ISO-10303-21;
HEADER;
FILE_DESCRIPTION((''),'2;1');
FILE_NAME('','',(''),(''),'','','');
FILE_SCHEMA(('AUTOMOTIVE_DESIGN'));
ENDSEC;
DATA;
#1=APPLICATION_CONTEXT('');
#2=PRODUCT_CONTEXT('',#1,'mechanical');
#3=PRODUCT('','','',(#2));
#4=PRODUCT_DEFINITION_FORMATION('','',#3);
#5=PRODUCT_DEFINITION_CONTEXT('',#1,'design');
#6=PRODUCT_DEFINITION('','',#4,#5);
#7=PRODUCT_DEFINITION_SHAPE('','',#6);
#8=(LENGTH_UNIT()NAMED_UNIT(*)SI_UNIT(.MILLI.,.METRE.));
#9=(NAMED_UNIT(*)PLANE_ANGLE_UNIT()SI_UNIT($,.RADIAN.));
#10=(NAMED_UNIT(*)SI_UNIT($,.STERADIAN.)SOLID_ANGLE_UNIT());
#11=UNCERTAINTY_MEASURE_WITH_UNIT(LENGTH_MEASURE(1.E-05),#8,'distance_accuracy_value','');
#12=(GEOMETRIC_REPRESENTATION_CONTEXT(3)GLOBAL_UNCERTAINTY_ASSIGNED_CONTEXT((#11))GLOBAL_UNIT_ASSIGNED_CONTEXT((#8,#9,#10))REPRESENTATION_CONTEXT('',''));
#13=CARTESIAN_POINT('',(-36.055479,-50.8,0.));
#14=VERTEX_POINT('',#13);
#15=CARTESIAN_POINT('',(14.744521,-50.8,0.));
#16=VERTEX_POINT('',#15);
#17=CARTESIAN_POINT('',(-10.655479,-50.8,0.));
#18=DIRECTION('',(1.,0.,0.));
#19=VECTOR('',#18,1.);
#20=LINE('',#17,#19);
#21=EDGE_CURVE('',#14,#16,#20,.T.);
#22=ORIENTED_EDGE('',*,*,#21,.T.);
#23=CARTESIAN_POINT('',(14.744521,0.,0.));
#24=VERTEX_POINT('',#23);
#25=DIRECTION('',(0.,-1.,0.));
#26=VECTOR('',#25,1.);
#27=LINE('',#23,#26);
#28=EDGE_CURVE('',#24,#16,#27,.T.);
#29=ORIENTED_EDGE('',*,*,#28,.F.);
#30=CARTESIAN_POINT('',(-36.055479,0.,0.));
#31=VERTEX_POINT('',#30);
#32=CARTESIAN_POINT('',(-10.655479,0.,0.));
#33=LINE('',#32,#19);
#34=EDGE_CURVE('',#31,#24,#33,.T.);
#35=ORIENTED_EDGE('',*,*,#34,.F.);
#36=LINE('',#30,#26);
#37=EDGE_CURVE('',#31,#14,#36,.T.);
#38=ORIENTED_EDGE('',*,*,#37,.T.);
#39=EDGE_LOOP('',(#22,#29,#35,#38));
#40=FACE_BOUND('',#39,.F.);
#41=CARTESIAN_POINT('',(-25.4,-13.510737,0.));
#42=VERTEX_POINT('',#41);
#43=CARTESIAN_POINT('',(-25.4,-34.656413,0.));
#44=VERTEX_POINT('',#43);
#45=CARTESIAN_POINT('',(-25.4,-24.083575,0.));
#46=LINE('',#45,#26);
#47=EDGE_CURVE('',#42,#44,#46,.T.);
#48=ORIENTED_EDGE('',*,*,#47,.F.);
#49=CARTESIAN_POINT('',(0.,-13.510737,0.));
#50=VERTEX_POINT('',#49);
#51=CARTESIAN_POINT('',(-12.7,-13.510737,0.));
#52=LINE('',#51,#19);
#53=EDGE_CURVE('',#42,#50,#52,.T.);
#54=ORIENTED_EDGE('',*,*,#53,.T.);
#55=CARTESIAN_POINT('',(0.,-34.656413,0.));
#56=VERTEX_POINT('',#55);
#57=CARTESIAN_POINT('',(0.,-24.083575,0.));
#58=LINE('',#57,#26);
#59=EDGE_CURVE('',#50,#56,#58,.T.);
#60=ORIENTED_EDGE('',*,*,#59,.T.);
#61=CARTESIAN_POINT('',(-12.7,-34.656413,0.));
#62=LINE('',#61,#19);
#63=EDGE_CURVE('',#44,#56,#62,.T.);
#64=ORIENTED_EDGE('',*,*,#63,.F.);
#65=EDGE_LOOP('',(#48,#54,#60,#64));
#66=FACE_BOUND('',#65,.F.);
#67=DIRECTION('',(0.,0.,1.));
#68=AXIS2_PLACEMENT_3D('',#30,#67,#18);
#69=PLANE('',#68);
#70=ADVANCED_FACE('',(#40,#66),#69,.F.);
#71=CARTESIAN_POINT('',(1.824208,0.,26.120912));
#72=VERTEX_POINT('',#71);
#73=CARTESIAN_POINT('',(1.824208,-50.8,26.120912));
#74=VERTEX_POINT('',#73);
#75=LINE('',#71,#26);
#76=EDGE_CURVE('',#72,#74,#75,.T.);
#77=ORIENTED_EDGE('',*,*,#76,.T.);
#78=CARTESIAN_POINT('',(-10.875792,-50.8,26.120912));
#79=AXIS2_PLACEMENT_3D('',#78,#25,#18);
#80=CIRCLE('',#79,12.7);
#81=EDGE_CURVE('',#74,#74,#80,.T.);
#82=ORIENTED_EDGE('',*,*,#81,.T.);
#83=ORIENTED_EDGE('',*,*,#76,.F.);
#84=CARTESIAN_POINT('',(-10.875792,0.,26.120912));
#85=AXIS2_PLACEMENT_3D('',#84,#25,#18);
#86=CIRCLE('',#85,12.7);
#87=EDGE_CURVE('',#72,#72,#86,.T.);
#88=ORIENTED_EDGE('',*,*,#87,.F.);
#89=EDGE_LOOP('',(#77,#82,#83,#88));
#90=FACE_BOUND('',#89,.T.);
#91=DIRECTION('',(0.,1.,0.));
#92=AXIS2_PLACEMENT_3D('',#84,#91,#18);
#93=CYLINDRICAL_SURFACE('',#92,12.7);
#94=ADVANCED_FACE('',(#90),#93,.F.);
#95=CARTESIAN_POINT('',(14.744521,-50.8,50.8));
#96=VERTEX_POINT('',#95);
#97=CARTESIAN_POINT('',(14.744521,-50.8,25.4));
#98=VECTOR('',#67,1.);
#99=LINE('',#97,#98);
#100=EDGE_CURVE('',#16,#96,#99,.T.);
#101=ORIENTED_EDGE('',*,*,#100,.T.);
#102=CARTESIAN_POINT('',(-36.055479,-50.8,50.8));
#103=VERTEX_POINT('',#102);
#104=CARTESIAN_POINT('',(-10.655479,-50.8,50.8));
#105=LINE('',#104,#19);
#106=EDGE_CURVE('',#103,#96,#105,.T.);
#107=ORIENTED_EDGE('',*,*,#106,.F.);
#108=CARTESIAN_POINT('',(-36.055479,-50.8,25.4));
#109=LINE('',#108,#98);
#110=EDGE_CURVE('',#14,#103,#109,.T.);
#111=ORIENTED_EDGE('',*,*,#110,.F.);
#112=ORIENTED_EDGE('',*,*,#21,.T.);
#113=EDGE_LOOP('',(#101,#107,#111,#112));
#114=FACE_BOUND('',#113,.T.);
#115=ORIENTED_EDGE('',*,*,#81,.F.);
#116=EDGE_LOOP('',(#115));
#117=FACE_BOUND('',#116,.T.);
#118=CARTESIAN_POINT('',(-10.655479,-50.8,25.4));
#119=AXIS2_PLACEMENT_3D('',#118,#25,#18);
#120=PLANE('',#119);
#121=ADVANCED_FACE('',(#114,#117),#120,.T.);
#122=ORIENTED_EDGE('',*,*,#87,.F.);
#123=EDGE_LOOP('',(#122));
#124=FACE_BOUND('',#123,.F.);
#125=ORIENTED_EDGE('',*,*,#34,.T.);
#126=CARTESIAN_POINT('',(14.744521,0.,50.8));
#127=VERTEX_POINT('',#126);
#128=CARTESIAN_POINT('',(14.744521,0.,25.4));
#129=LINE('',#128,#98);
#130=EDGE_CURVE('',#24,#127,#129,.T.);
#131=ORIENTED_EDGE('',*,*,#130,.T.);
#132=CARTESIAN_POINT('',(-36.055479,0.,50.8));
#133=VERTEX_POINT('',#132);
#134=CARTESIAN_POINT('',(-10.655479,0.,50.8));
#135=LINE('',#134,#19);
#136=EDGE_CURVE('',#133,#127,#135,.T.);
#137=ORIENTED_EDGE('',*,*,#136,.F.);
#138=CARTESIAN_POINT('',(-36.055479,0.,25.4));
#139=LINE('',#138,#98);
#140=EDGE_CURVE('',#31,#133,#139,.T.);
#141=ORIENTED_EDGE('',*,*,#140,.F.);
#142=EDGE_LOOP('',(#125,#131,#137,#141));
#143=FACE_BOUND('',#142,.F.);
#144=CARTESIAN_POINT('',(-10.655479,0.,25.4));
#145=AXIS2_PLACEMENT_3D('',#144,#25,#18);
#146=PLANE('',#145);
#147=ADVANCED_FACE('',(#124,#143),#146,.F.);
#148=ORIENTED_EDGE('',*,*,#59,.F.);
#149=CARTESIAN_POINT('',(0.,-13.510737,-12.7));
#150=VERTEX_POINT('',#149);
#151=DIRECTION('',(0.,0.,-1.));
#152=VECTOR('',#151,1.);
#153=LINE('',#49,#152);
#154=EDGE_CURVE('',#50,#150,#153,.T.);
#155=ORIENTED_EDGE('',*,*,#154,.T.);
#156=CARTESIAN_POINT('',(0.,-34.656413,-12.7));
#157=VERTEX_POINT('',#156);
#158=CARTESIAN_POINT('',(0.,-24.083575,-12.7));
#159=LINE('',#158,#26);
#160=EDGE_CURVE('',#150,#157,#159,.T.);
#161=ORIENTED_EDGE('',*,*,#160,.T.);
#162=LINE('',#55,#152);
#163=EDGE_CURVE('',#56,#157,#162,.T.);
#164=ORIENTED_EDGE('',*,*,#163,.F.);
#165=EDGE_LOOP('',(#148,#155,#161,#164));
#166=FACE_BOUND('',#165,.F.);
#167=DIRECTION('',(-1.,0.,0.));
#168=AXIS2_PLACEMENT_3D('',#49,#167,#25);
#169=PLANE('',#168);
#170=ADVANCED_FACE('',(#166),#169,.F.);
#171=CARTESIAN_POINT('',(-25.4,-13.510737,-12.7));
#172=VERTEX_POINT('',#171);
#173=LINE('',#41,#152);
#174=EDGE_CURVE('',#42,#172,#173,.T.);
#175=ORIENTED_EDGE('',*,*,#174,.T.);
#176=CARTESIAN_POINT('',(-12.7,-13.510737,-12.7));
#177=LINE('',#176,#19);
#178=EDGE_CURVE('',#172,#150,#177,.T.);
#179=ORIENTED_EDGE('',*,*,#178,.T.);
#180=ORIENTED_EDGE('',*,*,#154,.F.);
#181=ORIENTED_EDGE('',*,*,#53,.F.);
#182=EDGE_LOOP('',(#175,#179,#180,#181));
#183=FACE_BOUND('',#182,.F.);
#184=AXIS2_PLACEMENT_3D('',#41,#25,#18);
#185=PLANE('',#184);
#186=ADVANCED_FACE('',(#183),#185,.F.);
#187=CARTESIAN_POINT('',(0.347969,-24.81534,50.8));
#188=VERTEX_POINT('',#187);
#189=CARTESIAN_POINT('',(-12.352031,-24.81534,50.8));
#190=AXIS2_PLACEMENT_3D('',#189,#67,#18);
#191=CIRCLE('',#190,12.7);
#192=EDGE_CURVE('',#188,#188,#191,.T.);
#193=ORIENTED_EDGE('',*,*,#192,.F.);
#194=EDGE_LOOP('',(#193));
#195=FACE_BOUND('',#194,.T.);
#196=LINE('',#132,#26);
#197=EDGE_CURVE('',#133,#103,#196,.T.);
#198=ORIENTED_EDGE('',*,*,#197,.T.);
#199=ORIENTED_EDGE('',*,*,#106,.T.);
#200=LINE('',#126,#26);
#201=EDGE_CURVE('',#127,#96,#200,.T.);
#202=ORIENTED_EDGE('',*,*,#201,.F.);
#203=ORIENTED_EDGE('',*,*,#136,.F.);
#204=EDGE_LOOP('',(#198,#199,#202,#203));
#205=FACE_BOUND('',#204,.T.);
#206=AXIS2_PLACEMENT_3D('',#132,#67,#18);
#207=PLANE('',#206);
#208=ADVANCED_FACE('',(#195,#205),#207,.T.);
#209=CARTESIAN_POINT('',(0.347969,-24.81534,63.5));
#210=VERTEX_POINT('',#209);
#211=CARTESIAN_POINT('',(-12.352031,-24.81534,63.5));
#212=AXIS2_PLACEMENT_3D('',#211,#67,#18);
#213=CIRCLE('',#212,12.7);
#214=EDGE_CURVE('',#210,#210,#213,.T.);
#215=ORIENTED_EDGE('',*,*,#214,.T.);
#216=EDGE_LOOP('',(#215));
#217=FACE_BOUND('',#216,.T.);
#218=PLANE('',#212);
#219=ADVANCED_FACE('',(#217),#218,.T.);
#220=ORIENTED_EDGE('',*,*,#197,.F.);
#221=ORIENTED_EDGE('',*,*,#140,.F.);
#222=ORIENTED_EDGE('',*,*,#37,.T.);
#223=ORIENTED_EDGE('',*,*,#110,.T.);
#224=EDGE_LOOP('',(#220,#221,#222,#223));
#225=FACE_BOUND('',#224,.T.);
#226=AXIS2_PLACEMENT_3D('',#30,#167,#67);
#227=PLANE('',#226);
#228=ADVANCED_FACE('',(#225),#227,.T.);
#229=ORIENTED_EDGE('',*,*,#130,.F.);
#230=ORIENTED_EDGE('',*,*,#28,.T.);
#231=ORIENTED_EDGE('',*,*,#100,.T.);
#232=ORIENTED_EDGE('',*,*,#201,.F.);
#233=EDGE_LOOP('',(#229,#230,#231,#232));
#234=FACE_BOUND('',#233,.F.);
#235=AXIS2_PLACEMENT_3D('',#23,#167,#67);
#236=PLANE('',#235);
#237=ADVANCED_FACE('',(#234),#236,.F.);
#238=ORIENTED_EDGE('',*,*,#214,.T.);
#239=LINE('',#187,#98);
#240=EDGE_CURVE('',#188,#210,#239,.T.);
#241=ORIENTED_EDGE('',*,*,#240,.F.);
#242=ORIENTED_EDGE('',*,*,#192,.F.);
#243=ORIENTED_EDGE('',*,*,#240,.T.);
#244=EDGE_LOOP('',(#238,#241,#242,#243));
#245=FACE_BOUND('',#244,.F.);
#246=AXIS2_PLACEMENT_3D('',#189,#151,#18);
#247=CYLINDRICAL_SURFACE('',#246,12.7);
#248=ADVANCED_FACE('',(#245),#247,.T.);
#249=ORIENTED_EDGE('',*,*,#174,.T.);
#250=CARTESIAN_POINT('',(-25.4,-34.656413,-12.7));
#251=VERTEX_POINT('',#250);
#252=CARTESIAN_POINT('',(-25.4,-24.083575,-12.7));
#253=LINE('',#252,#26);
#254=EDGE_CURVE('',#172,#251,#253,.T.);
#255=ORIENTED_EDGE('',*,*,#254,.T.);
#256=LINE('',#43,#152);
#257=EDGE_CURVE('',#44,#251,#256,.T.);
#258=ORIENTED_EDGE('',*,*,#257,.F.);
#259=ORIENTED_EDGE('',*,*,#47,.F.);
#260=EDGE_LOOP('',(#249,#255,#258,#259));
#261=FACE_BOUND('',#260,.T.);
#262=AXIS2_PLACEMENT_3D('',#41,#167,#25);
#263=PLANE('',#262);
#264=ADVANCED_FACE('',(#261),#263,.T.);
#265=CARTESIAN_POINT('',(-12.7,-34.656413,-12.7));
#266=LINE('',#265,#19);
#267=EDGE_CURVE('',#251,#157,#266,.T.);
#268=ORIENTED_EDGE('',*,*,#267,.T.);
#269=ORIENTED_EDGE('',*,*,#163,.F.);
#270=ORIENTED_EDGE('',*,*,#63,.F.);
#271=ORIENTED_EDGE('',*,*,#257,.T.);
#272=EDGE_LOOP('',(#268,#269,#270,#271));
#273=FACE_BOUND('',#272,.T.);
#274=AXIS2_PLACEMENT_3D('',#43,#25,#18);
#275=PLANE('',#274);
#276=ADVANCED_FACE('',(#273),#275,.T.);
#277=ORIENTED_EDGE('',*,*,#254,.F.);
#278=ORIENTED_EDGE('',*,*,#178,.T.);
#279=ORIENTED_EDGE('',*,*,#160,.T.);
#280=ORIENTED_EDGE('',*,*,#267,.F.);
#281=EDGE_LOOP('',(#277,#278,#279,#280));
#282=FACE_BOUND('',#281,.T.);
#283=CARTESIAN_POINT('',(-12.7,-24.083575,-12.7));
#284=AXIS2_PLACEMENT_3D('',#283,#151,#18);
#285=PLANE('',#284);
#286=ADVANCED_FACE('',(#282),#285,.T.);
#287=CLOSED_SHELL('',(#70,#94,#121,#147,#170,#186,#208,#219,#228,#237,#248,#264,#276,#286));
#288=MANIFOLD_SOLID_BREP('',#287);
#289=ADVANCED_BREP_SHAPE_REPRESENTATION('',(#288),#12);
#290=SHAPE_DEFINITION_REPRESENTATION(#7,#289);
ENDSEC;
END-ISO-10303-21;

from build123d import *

# Parameters (mm, degrees)
F0_W     = 50.8
F0_H     = 50.8
F0_R     = 12.7
F1_DEPTH = 50.8
F2_R     = 12.7
F3_DEPTH = 12.7
F4_W     = 25.4
F4_H     = 21.145677
F5_DEPTH = 12.7


with BuildPart() as f1:
    # F0 (on Front) → F1 (new body)
    with BuildSketch(Plane.XZ):
        with Locations((-10.655479, 25.4)):
            Rectangle(F0_W, F0_H)
        with Locations((-10.875792, 26.120912)):
            Circle(F0_R, mode=Mode.SUBTRACT)
    extrude(amount=F1_DEPTH)

    # F2 (on face) → F3 (join)
    with BuildSketch(Plane.XY.offset(50.8)):
        with Locations((-12.352031, -24.81534)):
            Circle(F2_R)
    extrude(amount=F3_DEPTH)

    # F4 (on face) → F5 (join)
    with BuildSketch(Plane(origin=(0, 0, 0), x_dir=(1, 0, 0), z_dir=(0, 0, -1))):
        with Locations((-12.7, 24.083575)):
            Rectangle(F4_W, F4_H)
    extrude(amount=F5_DEPTH)


solid = f1.part
